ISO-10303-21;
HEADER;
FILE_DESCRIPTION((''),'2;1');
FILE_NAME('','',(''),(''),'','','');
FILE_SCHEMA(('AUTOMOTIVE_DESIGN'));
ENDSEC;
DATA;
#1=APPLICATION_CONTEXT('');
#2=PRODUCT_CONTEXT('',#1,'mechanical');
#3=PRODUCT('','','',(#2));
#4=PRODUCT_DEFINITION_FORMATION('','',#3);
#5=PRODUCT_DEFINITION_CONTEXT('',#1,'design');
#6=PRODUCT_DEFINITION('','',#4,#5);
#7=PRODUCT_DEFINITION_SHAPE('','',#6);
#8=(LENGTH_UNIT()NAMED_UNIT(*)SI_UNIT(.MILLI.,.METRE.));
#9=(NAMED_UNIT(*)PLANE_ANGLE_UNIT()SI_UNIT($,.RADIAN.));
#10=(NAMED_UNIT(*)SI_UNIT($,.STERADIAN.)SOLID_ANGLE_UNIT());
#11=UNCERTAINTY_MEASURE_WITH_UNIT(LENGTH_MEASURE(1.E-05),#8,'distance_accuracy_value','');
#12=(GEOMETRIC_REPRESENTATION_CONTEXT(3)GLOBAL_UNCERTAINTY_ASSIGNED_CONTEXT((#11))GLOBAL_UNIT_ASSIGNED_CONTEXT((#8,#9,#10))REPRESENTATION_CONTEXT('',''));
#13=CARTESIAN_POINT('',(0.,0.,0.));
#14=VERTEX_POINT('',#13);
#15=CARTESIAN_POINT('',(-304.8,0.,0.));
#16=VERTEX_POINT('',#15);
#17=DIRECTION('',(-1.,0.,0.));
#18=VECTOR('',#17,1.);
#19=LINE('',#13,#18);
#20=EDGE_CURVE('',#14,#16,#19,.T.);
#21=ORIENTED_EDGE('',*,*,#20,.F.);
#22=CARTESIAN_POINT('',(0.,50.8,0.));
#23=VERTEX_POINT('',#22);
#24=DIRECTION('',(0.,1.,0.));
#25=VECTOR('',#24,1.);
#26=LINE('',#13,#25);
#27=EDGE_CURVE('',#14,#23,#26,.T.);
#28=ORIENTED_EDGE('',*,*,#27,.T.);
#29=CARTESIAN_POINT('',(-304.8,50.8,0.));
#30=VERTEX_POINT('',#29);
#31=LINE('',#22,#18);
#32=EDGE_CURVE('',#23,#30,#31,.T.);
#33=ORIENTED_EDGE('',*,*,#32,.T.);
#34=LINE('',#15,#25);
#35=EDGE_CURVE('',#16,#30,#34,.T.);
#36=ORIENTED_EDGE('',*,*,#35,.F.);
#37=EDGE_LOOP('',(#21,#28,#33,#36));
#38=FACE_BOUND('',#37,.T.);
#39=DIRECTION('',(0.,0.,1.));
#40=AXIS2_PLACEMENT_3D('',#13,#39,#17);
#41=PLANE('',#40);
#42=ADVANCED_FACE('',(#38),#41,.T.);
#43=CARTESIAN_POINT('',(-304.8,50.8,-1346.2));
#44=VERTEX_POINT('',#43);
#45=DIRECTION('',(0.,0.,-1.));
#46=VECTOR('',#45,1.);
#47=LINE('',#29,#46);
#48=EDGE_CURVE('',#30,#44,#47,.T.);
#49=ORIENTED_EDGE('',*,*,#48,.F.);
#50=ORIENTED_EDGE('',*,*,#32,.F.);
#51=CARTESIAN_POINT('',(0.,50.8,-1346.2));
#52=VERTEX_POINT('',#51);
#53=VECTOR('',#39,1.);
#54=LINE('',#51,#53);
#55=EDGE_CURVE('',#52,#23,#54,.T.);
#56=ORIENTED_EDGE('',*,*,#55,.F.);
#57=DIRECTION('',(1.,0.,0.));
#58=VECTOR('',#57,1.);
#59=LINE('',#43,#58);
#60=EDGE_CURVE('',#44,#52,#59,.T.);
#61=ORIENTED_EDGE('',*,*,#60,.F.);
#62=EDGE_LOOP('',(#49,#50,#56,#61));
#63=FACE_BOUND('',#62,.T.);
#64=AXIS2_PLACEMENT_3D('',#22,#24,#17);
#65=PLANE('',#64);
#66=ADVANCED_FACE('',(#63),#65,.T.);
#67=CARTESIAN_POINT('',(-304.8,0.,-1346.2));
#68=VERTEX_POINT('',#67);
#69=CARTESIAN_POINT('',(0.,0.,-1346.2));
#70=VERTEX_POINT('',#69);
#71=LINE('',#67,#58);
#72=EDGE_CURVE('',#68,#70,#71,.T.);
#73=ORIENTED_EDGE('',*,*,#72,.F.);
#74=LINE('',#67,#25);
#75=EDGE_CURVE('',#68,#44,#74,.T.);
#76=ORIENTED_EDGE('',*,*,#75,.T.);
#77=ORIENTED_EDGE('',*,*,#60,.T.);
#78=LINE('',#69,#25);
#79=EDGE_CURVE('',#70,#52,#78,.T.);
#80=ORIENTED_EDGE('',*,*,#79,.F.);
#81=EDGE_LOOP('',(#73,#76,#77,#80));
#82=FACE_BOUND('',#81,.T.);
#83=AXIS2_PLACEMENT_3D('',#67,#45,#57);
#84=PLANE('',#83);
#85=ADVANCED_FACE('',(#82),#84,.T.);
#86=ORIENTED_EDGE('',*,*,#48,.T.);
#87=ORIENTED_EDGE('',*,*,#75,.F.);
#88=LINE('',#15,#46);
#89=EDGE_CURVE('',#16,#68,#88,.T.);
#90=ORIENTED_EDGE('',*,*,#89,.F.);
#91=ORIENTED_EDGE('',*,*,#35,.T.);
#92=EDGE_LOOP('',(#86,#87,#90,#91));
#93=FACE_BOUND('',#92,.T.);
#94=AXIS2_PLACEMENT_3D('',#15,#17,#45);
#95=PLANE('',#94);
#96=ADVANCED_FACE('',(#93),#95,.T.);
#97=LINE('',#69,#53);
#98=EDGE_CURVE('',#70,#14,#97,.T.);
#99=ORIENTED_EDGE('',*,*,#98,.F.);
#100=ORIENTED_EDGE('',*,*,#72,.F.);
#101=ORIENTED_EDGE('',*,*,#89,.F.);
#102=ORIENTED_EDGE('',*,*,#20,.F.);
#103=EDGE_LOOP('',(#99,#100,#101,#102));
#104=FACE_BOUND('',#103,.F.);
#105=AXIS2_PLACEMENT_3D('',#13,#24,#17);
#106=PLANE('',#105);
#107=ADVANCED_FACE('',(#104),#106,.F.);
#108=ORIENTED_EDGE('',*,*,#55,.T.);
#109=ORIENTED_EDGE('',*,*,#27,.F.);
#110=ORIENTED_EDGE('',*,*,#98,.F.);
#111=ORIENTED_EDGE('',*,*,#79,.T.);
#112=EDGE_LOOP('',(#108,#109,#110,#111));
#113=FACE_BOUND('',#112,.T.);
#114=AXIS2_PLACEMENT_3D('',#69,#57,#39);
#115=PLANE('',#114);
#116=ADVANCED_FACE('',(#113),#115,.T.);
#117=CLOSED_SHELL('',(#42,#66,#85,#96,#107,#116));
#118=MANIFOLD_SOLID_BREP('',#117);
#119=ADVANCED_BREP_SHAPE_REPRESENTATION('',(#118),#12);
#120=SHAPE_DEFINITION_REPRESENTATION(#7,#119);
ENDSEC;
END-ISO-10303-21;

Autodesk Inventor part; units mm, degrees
ref_plane "YZ Plane" through (0, 0, 0) normal (1, 0, 0) x (0, 1, 0)
ref_plane "XZ Plane" through (0, 0, 0) normal (0, 1, 0) x (-1, 0, 0)
sketch "Sketch1" plane through (0, 0, 0) normal (0, 1, 0) x (-1, 0, 0)
  line L0 (0, 0) -> (304.8, 0)
  line L1 (304.8, 0) -> (304.8, -1346.2)
  line L2 (304.8, -1346.2) -> (0, -1346.2)
  line L3 (0, -1346.2) -> (0, 0)
  dimension "d0" = 304.8
  dimension "d1" = 1346.2
extrude "Extrusion1" add sketch "Sketch1" along normal blind 50.8
ref_plane "Work Plane1" through (-152.4, 0, 0) normal (1, 0, 0) x (0, 0, -1)
properties part number "BedPlate"
